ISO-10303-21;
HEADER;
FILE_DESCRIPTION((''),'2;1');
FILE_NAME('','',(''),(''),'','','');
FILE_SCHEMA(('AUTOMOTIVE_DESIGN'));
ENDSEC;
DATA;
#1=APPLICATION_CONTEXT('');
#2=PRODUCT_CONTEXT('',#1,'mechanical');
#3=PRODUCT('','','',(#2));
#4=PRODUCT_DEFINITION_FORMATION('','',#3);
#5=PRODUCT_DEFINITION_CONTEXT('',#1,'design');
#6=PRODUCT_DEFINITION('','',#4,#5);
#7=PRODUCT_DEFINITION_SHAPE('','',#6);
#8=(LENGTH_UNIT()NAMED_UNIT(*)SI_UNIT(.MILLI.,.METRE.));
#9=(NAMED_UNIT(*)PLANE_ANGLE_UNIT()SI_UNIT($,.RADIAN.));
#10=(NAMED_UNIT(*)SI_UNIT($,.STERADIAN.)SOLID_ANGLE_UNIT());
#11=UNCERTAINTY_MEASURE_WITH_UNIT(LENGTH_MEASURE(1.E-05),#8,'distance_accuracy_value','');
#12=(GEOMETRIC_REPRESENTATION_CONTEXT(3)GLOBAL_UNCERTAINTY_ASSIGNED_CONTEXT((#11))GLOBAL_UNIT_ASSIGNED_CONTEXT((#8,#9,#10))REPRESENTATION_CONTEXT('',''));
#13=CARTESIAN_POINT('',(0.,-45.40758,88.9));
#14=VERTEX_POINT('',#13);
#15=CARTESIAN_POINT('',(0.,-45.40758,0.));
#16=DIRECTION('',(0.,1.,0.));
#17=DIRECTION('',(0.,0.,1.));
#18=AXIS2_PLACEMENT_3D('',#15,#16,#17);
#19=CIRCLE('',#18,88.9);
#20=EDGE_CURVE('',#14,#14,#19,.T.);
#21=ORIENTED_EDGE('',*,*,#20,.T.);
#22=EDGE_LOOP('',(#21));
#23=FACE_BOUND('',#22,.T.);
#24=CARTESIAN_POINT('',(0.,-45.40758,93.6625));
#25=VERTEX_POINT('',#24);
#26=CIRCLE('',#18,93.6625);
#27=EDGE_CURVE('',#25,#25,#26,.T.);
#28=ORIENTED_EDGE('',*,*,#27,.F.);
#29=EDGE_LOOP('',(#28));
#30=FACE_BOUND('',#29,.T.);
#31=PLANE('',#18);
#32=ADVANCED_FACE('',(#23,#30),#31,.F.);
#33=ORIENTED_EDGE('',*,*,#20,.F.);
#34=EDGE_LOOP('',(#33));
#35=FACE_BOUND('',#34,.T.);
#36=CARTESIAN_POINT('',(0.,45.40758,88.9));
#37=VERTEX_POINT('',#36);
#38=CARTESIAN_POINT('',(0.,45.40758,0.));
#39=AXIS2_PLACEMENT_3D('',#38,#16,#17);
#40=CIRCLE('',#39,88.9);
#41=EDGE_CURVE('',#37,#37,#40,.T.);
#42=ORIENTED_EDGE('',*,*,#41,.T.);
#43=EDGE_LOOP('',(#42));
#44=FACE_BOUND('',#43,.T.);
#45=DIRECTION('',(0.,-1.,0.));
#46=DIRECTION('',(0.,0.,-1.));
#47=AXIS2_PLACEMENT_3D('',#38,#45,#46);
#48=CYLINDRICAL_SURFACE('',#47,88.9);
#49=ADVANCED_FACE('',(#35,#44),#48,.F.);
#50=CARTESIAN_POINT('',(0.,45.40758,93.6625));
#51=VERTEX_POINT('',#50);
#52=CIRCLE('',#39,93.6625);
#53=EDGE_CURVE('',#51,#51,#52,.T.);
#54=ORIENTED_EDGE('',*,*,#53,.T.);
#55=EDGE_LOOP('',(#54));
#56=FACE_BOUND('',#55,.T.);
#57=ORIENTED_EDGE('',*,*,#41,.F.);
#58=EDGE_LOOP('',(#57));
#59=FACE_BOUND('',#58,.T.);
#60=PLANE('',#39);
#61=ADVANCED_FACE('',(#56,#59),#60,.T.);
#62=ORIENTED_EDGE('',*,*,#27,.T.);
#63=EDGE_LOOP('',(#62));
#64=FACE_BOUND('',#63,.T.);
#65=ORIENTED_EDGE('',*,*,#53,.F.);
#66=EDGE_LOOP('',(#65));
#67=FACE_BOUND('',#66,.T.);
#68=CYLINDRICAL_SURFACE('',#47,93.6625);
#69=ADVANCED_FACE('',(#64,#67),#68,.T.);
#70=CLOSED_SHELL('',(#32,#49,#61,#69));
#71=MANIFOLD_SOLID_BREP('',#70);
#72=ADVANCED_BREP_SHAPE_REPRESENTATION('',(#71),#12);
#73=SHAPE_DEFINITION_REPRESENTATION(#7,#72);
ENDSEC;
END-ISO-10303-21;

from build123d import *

# Parameters (mm, degrees)
SKETCH1_R           = 93.6625
SKETCH1_R_2         = 88.9
BOSS_EXTRUDE1_DEPTH = 45.40758


with BuildPart() as part:
    # Sketch1 → Boss-Extrude1 (new body, symmetric)
    with BuildSketch(Plane(origin=(0, 0, 0), x_dir=(1, 0, 0), z_dir=(0, 1, 0))):
        Circle(SKETCH1_R)
        Circle(SKETCH1_R_2, mode=Mode.SUBTRACT)
    extrude(amount=BOSS_EXTRUDE1_DEPTH, both=True)


solid = part.part
